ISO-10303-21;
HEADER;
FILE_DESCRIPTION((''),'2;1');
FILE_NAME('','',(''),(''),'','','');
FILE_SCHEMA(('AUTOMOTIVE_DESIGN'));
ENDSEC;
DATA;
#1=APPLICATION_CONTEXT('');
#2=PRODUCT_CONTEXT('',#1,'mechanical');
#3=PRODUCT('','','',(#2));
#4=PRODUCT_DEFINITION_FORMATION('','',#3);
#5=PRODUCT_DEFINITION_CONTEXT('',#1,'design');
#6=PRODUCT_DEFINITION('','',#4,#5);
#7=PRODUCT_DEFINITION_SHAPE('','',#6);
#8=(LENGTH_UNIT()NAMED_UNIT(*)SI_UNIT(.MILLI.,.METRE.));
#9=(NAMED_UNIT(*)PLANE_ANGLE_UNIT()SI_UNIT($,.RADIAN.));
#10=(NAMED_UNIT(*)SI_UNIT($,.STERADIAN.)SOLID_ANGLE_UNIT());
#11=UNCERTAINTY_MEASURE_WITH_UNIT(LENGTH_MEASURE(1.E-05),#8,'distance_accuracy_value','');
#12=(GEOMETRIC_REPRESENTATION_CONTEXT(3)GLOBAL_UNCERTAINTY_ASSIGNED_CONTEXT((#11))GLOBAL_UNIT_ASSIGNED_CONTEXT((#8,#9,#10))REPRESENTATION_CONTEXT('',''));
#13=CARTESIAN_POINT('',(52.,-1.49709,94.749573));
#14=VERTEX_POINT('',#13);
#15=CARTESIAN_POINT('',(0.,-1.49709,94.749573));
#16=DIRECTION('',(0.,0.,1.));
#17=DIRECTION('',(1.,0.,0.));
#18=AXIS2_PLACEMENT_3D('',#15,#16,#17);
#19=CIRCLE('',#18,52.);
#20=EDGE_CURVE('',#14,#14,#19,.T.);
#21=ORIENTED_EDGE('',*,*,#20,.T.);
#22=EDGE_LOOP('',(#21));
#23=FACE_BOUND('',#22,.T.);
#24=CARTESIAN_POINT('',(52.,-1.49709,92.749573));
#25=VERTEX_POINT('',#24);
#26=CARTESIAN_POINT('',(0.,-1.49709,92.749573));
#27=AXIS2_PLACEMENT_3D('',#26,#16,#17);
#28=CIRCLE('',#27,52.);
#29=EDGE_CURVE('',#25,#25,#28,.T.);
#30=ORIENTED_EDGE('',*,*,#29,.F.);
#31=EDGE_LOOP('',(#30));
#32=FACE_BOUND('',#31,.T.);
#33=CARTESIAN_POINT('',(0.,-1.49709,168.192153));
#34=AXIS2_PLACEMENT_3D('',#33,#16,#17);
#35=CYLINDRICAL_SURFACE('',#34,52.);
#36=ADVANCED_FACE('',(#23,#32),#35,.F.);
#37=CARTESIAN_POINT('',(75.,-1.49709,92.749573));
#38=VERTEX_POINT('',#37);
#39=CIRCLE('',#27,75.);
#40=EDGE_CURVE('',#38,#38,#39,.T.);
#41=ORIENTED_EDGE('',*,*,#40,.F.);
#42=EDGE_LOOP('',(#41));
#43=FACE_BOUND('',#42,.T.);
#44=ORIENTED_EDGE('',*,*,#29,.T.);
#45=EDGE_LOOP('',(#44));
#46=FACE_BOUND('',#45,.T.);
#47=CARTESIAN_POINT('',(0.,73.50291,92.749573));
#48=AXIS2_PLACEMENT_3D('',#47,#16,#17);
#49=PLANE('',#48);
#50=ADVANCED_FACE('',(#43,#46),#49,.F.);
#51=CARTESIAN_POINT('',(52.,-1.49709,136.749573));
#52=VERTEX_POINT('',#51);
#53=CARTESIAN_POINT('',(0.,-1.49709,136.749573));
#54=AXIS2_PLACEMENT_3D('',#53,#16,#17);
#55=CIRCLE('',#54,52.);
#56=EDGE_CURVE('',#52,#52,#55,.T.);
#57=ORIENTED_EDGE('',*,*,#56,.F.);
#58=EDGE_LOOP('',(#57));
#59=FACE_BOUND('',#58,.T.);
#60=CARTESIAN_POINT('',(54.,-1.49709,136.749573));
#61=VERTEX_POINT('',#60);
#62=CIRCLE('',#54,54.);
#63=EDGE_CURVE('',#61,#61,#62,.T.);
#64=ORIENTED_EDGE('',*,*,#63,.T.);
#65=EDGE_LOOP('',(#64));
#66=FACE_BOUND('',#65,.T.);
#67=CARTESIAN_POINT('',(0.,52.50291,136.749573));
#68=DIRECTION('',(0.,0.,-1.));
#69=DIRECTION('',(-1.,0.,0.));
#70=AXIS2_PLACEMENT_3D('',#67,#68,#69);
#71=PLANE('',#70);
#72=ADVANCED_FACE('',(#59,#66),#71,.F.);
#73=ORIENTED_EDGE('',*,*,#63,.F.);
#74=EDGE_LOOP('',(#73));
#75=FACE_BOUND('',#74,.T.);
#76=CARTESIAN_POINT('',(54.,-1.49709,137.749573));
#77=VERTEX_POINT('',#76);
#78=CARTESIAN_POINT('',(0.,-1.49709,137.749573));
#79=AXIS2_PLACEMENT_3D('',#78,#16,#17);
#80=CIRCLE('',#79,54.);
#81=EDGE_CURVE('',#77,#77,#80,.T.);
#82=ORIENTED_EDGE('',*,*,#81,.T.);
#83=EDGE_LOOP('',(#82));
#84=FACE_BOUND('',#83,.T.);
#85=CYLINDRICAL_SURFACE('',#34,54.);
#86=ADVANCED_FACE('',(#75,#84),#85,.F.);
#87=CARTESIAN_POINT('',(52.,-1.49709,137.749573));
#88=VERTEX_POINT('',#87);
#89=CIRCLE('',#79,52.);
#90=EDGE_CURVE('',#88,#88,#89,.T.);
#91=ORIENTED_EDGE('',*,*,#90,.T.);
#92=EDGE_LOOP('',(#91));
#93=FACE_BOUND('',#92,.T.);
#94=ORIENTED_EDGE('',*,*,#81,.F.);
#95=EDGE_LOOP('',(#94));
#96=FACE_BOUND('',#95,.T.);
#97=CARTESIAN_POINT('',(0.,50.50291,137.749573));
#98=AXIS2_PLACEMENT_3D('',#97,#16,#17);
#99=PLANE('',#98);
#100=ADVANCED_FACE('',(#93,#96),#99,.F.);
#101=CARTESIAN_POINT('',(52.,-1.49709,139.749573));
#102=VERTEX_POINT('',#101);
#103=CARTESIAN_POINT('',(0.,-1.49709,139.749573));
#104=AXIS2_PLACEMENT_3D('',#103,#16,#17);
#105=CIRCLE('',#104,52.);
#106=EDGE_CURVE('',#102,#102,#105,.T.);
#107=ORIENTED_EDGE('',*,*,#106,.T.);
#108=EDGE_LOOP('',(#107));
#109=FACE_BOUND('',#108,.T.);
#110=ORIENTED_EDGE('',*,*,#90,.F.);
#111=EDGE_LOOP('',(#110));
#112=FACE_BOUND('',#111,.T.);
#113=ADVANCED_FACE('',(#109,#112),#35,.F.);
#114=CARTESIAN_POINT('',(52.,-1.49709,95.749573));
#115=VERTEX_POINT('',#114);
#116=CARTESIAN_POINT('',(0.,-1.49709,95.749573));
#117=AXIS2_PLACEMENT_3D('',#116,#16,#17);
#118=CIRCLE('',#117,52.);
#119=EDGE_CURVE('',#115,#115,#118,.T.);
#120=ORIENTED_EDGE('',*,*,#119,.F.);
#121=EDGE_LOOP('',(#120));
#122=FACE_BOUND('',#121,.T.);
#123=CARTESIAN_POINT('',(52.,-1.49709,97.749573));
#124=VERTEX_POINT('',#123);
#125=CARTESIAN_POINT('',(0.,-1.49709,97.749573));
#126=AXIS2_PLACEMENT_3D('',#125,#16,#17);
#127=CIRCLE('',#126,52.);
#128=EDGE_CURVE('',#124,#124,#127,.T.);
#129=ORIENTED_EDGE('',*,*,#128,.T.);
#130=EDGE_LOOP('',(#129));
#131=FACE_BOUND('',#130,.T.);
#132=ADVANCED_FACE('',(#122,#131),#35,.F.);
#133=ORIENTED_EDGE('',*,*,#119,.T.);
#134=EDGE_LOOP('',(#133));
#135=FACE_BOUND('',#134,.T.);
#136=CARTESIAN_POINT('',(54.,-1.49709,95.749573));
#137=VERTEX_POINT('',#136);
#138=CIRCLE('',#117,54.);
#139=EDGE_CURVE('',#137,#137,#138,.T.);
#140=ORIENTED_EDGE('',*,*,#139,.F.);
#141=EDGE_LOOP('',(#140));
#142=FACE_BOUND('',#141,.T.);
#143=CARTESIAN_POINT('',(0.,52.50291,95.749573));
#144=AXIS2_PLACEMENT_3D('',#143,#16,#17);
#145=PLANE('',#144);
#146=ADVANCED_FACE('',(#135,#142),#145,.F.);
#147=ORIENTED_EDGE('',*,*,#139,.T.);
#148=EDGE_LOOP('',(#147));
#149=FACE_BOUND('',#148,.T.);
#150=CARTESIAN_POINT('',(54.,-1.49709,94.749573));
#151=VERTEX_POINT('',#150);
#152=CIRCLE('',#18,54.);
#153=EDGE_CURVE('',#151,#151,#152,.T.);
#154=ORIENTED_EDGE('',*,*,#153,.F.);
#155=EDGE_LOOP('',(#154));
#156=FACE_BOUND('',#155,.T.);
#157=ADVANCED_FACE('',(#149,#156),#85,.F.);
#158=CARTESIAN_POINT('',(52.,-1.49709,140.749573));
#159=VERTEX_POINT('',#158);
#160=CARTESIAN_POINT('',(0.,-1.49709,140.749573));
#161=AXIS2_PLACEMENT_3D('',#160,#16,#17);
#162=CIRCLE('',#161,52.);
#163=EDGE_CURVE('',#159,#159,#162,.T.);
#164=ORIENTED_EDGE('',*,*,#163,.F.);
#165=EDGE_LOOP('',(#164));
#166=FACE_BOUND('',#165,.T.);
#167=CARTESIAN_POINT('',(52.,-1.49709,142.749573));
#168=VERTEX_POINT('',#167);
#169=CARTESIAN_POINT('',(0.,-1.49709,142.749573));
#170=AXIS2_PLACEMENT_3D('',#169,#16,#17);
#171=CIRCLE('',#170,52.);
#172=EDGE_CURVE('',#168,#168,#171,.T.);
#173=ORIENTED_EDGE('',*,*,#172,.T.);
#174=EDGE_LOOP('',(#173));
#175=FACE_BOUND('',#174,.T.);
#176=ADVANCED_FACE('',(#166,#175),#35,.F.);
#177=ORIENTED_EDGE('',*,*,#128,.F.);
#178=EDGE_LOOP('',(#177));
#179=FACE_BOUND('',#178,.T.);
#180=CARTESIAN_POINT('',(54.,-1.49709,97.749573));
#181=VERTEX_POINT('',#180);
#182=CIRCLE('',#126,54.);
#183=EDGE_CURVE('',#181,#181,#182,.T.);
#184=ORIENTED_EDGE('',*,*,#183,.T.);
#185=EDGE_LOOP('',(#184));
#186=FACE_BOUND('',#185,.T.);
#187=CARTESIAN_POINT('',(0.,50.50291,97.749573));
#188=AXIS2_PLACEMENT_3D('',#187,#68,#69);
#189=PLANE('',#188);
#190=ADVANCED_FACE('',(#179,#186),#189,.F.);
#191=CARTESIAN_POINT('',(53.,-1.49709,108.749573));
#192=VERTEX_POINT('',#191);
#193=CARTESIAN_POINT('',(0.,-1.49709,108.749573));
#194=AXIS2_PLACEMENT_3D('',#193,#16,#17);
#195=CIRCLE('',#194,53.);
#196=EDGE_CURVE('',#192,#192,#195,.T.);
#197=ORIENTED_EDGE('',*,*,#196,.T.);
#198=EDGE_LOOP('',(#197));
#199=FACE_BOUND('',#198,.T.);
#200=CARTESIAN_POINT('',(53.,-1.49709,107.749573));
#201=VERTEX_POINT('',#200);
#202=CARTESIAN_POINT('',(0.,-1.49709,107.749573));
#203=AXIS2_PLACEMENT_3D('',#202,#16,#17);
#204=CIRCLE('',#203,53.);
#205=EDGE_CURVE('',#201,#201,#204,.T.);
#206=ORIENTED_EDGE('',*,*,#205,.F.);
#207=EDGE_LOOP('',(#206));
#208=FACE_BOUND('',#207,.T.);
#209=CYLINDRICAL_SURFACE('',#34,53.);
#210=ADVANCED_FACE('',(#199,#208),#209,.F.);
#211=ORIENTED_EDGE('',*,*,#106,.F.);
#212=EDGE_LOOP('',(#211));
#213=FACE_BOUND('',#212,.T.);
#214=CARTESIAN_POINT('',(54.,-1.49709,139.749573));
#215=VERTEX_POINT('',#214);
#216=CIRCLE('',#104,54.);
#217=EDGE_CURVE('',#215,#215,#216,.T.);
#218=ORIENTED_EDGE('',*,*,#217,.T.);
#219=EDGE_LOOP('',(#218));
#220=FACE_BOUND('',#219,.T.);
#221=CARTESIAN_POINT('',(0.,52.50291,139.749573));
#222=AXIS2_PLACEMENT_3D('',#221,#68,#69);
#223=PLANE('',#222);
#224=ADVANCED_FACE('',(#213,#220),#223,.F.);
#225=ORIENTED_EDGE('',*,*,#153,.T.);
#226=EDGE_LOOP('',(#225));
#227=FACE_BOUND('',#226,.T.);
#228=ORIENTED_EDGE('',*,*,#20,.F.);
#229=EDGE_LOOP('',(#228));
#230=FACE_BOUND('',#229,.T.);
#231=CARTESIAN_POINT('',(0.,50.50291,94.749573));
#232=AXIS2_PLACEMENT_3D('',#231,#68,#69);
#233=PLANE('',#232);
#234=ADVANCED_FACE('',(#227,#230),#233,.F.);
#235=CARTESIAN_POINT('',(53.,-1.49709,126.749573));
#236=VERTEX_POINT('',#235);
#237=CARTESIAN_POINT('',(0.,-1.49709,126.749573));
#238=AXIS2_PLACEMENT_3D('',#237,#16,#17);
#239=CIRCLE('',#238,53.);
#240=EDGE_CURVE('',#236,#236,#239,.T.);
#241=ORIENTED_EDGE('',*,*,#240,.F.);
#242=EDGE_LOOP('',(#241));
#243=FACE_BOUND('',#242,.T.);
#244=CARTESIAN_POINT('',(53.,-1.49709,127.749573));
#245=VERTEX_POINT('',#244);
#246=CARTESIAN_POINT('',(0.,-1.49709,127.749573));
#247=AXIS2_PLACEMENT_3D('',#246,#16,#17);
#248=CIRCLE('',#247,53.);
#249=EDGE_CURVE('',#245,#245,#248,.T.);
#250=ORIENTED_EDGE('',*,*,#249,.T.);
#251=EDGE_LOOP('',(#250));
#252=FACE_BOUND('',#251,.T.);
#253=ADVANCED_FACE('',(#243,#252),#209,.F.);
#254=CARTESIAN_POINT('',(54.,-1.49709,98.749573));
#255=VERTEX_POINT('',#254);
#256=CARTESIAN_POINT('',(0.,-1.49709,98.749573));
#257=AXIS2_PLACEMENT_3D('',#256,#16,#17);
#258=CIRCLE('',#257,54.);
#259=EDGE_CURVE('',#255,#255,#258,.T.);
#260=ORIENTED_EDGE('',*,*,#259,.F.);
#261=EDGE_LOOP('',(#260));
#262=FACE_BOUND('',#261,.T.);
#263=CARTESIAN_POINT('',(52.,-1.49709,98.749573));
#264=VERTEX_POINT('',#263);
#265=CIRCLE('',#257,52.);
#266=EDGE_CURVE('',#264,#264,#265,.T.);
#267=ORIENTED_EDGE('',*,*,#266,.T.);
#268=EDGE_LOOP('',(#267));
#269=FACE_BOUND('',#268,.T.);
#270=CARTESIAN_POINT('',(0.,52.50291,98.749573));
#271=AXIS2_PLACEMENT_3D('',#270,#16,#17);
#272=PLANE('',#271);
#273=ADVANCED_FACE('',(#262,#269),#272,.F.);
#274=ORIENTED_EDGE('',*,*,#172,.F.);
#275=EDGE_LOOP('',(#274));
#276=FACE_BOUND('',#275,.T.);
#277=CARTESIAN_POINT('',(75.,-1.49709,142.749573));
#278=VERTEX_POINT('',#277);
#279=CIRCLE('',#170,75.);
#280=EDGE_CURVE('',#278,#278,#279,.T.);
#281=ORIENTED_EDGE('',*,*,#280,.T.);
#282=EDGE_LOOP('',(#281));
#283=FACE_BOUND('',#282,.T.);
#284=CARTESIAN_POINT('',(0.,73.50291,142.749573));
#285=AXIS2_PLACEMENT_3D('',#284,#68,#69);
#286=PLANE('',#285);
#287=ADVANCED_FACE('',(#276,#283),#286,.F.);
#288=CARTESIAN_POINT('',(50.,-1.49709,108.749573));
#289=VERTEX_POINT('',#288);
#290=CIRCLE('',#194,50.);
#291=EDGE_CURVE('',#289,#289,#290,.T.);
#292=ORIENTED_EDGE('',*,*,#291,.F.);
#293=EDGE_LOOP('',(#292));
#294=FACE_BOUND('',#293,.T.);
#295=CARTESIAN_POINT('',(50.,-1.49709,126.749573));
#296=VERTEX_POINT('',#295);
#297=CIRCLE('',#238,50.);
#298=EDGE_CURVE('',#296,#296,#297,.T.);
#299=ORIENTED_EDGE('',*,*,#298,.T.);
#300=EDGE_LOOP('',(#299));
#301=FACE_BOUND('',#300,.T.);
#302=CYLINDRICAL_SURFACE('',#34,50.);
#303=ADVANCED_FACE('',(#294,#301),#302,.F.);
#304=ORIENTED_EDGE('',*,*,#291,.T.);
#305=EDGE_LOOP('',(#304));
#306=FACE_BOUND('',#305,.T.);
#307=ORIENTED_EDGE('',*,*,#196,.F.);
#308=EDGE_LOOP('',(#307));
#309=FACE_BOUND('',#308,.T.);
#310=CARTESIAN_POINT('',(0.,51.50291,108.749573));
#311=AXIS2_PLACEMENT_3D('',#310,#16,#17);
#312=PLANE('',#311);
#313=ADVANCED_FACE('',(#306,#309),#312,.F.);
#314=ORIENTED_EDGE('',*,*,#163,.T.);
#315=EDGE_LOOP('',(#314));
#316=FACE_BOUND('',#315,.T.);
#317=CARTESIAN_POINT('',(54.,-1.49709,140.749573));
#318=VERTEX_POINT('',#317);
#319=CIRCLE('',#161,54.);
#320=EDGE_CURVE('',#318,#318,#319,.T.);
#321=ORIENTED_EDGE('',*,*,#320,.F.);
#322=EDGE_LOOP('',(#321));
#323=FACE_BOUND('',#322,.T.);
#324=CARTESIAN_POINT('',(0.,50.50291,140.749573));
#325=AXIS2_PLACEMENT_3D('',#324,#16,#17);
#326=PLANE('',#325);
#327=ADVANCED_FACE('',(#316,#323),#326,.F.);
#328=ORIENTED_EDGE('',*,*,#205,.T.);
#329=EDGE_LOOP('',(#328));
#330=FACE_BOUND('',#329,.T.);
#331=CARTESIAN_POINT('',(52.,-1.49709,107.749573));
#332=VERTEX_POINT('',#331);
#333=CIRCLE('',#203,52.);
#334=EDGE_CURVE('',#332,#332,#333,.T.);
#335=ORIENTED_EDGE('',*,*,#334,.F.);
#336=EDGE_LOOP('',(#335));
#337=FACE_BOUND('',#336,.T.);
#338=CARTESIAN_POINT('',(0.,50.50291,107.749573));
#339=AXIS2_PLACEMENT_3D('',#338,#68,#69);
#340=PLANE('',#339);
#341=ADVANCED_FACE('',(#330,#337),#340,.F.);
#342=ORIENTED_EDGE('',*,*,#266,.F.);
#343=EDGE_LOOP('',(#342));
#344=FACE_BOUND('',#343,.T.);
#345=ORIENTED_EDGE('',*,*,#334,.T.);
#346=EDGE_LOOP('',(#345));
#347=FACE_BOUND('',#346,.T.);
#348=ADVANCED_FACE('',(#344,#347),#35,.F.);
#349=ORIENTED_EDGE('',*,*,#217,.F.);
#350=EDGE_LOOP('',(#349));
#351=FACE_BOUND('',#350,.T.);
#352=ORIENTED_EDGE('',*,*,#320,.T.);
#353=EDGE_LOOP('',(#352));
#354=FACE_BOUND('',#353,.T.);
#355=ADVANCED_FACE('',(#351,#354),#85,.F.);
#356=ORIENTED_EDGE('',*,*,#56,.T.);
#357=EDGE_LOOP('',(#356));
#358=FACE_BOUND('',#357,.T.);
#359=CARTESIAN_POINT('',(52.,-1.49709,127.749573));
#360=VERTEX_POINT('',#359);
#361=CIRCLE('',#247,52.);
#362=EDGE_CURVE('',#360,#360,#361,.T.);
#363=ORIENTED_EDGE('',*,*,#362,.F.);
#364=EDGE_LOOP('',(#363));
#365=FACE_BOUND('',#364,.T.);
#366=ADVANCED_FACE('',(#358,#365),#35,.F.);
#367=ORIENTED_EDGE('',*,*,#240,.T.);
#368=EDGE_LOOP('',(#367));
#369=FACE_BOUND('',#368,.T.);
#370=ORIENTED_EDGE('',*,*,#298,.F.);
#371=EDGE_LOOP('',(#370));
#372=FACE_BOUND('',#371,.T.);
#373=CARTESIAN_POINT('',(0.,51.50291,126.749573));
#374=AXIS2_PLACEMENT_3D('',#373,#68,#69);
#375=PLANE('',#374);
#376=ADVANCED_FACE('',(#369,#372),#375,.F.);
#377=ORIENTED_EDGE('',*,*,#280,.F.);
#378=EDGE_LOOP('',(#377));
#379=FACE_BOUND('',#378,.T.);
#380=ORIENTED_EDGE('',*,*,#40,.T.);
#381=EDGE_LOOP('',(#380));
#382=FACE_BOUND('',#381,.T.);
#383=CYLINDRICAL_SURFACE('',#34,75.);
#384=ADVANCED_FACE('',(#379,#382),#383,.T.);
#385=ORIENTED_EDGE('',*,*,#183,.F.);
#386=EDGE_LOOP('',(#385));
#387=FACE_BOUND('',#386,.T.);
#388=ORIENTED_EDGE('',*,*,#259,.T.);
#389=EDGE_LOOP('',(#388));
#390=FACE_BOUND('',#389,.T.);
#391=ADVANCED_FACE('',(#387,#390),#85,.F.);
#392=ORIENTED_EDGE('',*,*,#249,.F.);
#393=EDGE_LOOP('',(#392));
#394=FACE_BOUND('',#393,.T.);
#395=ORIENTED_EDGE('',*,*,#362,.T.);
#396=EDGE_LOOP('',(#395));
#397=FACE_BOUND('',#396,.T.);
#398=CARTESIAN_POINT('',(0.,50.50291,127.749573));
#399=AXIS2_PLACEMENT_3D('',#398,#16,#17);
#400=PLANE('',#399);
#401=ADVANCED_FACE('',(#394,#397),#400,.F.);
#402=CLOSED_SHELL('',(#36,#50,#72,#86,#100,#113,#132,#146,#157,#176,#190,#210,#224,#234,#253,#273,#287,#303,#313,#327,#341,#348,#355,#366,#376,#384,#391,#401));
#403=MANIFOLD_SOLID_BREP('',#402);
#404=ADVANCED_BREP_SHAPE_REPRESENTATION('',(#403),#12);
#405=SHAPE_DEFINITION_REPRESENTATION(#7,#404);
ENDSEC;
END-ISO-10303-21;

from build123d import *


with BuildPart() as part:
    # Sketch1 → Revolve1 (revolve)
    with BuildSketch(Plane(origin=(0, 0, 0), x_dir=(0, 0, -1), z_dir=(1, 0, 0)), mode=Mode.PRIVATE) as revolve1_sk:
        Polygon((-142.749573327, 73.502909781), (-92.749573327, 73.502909781), (-92.749573327, 50.502909781), (-94.749573327, 50.502909781), (-94.749573327, 52.502909781), (-95.749573327, 52.502909781), (-95.749573327, 50.502909781), (-97.749573327, 50.502909781), (-97.749573327, 52.502909781), (-98.749573327, 52.502909781), (-98.749573327, 50.502909781), (-107.749573327, 50.502909781), (-107.749573327, 51.502909781), (-108.749573327, 51.502909781), (-108.749573327, 48.502909781), (-126.749573327, 48.502909781), (-126.749573327, 51.502909781), (-127.749573327, 51.502909781), (-127.749573327, 50.502909781), (-136.749573327, 50.502909781), (-136.749573327, 52.502909781), (-137.749573327, 52.502909781), (-137.749573327, 50.502909781), (-139.749573327, 50.502909781), (-139.749573327, 52.502909781), (-140.749573327, 52.502909781), (-140.749573327, 50.502909781), (-142.749573327, 50.502909781), align=None)
    revolve(revolve1_sk.sketch.rotate(Axis((0, -1.497090219, 168.192153132), (0, 0, -1)), 90), axis=Axis((0, -1.497090219, 168.192153132), (0, 0, -1)))


solid = part.part
